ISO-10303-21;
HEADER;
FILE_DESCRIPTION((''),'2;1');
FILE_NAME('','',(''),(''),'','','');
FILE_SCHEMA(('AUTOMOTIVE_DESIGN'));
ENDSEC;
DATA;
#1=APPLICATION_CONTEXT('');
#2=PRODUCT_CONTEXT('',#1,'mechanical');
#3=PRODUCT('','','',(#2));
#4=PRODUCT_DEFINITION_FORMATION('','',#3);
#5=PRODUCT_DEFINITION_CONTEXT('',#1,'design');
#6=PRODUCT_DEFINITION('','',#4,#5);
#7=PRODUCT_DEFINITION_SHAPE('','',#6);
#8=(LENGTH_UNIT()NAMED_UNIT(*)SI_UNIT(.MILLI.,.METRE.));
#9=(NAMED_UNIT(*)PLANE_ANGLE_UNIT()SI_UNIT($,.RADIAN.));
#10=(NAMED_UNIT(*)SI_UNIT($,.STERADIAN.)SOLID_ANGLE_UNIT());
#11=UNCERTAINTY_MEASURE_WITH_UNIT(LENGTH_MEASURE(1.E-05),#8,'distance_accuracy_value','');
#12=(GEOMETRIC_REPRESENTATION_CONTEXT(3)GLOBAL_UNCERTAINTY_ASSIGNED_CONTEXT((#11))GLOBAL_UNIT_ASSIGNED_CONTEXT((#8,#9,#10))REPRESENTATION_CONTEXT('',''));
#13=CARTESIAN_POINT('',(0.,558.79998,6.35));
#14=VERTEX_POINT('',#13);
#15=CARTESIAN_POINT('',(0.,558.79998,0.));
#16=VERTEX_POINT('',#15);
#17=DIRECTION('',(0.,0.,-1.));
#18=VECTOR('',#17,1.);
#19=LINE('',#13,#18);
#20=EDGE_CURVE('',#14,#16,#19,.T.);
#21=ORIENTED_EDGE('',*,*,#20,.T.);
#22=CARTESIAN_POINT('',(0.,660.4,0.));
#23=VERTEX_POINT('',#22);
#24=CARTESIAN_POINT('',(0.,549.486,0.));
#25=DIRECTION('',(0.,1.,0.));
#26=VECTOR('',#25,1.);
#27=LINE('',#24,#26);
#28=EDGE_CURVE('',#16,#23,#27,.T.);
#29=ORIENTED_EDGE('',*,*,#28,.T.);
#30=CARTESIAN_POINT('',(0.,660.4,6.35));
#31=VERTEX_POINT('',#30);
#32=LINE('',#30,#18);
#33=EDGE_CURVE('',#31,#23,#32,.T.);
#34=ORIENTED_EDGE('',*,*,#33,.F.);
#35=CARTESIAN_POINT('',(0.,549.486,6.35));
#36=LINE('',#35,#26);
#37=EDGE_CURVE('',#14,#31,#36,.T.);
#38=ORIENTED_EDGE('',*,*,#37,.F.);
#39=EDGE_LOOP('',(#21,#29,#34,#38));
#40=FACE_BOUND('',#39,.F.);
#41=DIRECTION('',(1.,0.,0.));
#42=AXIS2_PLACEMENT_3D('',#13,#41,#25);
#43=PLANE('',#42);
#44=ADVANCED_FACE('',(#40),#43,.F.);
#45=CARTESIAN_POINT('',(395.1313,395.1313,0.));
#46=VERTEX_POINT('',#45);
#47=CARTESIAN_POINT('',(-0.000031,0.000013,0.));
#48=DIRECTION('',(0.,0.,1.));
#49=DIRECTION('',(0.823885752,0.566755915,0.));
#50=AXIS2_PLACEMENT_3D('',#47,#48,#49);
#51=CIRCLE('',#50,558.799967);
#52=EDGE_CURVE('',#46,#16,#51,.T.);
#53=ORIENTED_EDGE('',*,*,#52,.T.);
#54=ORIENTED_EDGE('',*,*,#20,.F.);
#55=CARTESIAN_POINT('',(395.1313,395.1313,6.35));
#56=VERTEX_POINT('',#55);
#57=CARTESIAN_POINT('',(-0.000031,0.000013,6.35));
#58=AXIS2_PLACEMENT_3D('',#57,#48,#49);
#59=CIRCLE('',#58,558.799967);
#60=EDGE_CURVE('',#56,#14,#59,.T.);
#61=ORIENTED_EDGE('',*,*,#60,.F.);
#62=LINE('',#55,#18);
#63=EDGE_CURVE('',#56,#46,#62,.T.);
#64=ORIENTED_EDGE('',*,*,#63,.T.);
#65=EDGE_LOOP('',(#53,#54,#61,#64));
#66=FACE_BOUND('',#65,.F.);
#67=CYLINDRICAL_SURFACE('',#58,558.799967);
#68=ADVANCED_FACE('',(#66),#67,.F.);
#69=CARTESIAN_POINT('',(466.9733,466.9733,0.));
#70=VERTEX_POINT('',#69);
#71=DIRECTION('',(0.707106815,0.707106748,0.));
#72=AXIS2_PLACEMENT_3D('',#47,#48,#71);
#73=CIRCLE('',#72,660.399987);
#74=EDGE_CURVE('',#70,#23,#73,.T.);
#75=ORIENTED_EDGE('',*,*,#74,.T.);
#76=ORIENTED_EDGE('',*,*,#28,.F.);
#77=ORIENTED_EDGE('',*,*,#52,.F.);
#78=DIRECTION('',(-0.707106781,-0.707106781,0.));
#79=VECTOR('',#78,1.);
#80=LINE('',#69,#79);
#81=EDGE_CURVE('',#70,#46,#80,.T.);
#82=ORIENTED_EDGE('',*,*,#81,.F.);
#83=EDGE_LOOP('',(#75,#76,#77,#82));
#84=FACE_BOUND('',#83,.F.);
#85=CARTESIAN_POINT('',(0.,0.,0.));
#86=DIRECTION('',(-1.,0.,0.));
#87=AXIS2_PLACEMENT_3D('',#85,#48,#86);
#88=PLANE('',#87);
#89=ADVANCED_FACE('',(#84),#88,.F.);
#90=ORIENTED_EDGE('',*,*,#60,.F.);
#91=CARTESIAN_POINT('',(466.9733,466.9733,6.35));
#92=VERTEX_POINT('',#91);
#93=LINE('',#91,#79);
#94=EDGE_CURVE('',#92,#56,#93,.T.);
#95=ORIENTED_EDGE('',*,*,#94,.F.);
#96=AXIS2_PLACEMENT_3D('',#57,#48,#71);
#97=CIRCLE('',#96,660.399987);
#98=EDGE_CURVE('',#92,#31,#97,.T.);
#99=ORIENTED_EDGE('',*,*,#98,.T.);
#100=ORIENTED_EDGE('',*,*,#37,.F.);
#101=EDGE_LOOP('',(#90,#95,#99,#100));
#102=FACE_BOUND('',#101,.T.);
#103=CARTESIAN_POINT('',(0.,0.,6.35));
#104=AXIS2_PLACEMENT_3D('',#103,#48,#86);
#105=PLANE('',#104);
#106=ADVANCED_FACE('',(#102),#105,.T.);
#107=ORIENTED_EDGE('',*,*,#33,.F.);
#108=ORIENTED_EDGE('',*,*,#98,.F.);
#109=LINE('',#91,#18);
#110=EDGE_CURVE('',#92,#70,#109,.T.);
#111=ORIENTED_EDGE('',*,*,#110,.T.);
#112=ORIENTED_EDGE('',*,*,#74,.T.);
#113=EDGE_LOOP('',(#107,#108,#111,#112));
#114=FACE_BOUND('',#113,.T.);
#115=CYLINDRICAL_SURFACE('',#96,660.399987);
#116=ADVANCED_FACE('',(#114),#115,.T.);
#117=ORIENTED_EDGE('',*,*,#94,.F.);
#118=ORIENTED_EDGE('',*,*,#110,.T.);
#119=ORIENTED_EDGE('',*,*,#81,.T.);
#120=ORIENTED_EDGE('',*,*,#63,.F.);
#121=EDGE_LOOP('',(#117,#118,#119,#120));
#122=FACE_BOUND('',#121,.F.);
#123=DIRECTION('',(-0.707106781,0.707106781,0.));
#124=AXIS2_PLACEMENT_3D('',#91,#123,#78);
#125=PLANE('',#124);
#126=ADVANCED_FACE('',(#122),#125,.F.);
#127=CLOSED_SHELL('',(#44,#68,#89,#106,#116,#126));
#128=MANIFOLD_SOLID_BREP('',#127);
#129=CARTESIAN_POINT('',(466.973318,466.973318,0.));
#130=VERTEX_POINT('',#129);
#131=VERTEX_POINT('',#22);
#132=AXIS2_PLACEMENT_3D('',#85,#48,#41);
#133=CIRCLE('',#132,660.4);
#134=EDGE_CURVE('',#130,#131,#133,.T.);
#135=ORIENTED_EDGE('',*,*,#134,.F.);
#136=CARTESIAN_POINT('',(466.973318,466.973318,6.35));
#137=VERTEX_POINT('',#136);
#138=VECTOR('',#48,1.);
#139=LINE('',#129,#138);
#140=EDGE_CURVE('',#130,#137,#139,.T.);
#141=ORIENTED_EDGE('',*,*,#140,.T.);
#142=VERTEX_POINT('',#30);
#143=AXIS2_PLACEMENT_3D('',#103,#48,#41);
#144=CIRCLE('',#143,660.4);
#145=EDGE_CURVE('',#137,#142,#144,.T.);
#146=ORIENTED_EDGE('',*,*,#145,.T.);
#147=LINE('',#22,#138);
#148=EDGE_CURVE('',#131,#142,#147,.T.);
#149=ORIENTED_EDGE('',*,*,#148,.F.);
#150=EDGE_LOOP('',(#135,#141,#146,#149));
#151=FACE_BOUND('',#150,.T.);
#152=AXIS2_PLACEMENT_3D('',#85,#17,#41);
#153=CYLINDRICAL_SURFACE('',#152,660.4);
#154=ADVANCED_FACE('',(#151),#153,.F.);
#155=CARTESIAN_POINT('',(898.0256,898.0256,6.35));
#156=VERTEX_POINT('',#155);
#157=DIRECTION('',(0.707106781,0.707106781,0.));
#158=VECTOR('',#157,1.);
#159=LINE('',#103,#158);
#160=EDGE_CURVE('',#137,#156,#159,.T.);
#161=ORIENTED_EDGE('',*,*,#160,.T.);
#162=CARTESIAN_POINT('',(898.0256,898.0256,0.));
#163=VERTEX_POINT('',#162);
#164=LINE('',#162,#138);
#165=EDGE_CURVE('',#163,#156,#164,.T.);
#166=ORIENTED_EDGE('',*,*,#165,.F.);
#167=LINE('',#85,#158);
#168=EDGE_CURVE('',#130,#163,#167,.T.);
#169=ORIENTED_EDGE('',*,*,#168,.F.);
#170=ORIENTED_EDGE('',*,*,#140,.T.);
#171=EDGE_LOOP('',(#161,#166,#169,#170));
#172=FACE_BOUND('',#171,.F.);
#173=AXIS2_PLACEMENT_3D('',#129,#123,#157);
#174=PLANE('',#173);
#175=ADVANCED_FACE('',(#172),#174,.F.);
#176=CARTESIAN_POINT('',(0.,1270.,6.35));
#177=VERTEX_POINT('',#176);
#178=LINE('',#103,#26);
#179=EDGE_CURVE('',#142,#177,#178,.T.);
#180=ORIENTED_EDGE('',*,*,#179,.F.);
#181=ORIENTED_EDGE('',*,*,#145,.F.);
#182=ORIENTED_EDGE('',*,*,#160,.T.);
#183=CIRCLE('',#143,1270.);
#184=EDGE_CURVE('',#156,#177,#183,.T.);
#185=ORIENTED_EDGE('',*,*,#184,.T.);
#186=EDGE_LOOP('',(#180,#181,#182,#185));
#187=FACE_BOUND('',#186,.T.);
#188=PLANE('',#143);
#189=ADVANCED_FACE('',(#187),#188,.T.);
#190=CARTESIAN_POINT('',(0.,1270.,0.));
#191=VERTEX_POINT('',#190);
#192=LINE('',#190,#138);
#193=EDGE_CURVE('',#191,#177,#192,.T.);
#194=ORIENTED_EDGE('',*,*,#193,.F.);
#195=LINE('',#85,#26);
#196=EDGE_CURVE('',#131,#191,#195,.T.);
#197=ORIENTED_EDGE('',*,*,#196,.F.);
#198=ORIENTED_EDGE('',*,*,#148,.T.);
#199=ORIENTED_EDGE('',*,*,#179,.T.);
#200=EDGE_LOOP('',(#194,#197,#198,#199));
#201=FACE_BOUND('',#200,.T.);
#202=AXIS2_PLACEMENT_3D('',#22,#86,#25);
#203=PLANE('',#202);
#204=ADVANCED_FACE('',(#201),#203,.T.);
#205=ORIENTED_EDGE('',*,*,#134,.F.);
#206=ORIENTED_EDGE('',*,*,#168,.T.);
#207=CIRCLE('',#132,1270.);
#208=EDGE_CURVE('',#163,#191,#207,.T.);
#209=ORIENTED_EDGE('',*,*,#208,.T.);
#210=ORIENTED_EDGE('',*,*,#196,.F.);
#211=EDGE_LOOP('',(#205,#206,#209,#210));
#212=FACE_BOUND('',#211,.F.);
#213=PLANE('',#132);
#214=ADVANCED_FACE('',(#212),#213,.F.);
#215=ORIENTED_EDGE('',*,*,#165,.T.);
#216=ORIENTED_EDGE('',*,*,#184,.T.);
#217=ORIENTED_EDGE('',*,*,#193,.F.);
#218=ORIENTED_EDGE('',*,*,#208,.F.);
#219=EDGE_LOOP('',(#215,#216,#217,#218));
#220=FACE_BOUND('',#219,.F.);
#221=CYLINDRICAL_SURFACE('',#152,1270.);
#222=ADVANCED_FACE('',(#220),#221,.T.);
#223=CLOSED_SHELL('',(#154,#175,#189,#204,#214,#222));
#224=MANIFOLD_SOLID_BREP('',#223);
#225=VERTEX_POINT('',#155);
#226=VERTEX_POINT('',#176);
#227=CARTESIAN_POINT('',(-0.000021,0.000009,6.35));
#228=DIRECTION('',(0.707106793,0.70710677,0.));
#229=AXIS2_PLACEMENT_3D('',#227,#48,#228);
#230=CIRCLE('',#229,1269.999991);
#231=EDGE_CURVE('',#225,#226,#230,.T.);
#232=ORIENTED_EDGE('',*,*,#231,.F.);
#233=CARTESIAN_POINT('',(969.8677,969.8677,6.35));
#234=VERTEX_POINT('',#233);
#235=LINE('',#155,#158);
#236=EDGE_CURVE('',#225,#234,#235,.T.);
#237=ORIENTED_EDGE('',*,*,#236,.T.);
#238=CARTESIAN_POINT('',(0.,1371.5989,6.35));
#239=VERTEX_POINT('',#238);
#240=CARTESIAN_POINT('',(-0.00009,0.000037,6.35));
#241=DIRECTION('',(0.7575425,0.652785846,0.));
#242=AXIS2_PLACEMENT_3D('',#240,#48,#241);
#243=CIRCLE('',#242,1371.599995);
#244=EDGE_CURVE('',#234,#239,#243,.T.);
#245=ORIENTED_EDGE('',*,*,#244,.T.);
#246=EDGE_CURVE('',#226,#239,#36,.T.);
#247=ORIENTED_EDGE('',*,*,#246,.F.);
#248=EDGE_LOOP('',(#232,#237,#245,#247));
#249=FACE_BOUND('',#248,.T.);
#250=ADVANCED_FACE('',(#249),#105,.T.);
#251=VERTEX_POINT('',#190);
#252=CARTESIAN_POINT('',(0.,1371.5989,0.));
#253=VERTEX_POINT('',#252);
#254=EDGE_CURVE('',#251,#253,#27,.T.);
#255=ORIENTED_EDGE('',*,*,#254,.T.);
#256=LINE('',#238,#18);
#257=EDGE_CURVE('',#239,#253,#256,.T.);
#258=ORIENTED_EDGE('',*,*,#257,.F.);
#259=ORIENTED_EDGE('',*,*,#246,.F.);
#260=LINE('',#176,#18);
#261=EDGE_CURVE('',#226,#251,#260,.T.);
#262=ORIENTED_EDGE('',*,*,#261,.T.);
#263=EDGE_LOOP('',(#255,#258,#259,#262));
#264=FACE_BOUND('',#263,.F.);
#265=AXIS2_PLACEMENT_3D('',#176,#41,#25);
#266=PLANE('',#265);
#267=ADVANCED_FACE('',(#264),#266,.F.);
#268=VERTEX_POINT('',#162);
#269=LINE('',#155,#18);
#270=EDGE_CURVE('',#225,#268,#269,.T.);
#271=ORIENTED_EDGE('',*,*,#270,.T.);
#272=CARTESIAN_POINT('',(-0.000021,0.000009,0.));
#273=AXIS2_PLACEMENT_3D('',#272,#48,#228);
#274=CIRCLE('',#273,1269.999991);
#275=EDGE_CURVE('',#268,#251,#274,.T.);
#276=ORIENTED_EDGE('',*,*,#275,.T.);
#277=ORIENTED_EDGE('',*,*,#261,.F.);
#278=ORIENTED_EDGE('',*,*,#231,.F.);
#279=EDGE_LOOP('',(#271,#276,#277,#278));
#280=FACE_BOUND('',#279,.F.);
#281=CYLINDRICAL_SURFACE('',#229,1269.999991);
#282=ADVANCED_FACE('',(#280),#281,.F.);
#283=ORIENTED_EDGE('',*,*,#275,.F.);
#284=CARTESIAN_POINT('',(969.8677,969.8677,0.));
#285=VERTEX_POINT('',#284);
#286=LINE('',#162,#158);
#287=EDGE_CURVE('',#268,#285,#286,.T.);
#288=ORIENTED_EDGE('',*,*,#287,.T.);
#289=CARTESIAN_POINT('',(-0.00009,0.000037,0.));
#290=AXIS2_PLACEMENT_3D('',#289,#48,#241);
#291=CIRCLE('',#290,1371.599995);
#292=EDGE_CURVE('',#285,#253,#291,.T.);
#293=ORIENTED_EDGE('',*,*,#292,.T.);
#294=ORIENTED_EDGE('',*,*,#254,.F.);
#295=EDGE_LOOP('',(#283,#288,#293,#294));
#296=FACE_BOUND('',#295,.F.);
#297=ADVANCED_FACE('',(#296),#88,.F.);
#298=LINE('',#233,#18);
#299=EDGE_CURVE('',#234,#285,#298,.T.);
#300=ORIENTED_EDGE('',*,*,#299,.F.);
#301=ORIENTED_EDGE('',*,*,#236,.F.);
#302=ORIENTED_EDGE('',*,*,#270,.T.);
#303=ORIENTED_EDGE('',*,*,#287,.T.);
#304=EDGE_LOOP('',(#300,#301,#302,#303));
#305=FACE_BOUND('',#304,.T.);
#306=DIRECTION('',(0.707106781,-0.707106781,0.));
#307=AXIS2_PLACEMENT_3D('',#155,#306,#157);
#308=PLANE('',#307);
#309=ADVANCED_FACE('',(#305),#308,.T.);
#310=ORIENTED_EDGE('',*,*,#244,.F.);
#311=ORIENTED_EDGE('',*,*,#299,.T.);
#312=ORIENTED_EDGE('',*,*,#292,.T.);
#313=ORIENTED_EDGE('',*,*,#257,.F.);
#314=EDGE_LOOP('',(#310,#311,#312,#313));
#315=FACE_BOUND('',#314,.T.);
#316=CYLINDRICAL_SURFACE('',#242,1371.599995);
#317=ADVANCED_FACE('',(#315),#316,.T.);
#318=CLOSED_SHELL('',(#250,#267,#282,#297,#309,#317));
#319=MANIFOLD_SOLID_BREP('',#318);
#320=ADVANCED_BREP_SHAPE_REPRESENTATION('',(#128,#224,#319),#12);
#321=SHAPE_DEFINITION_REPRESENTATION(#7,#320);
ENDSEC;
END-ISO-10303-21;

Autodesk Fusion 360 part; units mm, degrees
sketch "Sketch1" plane through (0, 0, 0) normal (0, 0, 1) x (1, 0, 0)
  circle A0 centre (0, 0) radius 660.4
  circle A1 centre (0, 0) radius 1270
  line L0 (0, 0) -> (0, 1270)
  line L1 (0, 0) -> (1270, 0)
  line L2 (0, 0) -> (898.0256, 898.0256)
  line L3 (0, 0) -> (1270, 0) construction
  dimension "d1" = 1320.8
  dimension "d2" = 609.6
  dimension "d3" = 45
extrude "Extrude1" add sketch "Sketch1" along normal blind 6.35 contours A0 A1 L0 L2 makes body 1
sketch "Sketch2" plane through (0, 0, 6.35) normal (0, 0, 1) x (-1, 0, 0)
  line L0 (-466.9733, -466.9733) -> (-898.0256, -898.0256)
  arc A0 (-898.0256, -898.0256) -> (0, -1270) centre (0, 0) ccw
  line L1 (0, -1270) -> (0, -660.4)
  arc A1 (-466.9733, -466.9733) -> (0, -660.4) centre (0, 0) ccw
  line L2 (101.6, -1367.8319) -> (101.6, -549.486)
  arc A2 (-460.3873, -316.7032) -> (101.6, -549.486) centre (0, 0) ccw
  line L3 (-460.3873, -316.7032) -> (-1039.0452, -895.3611)
  arc A3 (-1039.0452, -895.3611) -> (101.6, -1367.8319) centre (0, 0) ccw
  line L4 (101.6, -549.486) -> (0, -549.486)
  line L5 (0, -549.486) -> (0, -1371.5989)
  line L6 (0, -1371.5989) -> (101.6, -1371.5989)
  line L7 (101.6, -1371.5989) -> (101.6, -549.486)
  line L8 (-466.9733, -466.9733) -> (-395.1313, -395.1313)
  line L9 (-898.0256, -898.0256) -> (-969.8677, -969.8677)
  dimension "d6" = -101.6
  dimension "d7" = 101.6
extrude "Extrude1'" add sketch "Sketch2" against normal blind 6.35 separate body contours A1 A2 L5 L8 | A0 A3 L5 L9 makes body 2 at (53.0458, 623.0565, 6.35) makes body 3 at (565.5655, 1209.4535, 6.35) in component "45"
copy_body "CutPasteBodies1" bodies 1 removing the originals makes body 4 in component "45"
component "45" placed x (1, 0, 0) y (0, 1, 0) z (0, 0, 1) at (0, 0, 0)
